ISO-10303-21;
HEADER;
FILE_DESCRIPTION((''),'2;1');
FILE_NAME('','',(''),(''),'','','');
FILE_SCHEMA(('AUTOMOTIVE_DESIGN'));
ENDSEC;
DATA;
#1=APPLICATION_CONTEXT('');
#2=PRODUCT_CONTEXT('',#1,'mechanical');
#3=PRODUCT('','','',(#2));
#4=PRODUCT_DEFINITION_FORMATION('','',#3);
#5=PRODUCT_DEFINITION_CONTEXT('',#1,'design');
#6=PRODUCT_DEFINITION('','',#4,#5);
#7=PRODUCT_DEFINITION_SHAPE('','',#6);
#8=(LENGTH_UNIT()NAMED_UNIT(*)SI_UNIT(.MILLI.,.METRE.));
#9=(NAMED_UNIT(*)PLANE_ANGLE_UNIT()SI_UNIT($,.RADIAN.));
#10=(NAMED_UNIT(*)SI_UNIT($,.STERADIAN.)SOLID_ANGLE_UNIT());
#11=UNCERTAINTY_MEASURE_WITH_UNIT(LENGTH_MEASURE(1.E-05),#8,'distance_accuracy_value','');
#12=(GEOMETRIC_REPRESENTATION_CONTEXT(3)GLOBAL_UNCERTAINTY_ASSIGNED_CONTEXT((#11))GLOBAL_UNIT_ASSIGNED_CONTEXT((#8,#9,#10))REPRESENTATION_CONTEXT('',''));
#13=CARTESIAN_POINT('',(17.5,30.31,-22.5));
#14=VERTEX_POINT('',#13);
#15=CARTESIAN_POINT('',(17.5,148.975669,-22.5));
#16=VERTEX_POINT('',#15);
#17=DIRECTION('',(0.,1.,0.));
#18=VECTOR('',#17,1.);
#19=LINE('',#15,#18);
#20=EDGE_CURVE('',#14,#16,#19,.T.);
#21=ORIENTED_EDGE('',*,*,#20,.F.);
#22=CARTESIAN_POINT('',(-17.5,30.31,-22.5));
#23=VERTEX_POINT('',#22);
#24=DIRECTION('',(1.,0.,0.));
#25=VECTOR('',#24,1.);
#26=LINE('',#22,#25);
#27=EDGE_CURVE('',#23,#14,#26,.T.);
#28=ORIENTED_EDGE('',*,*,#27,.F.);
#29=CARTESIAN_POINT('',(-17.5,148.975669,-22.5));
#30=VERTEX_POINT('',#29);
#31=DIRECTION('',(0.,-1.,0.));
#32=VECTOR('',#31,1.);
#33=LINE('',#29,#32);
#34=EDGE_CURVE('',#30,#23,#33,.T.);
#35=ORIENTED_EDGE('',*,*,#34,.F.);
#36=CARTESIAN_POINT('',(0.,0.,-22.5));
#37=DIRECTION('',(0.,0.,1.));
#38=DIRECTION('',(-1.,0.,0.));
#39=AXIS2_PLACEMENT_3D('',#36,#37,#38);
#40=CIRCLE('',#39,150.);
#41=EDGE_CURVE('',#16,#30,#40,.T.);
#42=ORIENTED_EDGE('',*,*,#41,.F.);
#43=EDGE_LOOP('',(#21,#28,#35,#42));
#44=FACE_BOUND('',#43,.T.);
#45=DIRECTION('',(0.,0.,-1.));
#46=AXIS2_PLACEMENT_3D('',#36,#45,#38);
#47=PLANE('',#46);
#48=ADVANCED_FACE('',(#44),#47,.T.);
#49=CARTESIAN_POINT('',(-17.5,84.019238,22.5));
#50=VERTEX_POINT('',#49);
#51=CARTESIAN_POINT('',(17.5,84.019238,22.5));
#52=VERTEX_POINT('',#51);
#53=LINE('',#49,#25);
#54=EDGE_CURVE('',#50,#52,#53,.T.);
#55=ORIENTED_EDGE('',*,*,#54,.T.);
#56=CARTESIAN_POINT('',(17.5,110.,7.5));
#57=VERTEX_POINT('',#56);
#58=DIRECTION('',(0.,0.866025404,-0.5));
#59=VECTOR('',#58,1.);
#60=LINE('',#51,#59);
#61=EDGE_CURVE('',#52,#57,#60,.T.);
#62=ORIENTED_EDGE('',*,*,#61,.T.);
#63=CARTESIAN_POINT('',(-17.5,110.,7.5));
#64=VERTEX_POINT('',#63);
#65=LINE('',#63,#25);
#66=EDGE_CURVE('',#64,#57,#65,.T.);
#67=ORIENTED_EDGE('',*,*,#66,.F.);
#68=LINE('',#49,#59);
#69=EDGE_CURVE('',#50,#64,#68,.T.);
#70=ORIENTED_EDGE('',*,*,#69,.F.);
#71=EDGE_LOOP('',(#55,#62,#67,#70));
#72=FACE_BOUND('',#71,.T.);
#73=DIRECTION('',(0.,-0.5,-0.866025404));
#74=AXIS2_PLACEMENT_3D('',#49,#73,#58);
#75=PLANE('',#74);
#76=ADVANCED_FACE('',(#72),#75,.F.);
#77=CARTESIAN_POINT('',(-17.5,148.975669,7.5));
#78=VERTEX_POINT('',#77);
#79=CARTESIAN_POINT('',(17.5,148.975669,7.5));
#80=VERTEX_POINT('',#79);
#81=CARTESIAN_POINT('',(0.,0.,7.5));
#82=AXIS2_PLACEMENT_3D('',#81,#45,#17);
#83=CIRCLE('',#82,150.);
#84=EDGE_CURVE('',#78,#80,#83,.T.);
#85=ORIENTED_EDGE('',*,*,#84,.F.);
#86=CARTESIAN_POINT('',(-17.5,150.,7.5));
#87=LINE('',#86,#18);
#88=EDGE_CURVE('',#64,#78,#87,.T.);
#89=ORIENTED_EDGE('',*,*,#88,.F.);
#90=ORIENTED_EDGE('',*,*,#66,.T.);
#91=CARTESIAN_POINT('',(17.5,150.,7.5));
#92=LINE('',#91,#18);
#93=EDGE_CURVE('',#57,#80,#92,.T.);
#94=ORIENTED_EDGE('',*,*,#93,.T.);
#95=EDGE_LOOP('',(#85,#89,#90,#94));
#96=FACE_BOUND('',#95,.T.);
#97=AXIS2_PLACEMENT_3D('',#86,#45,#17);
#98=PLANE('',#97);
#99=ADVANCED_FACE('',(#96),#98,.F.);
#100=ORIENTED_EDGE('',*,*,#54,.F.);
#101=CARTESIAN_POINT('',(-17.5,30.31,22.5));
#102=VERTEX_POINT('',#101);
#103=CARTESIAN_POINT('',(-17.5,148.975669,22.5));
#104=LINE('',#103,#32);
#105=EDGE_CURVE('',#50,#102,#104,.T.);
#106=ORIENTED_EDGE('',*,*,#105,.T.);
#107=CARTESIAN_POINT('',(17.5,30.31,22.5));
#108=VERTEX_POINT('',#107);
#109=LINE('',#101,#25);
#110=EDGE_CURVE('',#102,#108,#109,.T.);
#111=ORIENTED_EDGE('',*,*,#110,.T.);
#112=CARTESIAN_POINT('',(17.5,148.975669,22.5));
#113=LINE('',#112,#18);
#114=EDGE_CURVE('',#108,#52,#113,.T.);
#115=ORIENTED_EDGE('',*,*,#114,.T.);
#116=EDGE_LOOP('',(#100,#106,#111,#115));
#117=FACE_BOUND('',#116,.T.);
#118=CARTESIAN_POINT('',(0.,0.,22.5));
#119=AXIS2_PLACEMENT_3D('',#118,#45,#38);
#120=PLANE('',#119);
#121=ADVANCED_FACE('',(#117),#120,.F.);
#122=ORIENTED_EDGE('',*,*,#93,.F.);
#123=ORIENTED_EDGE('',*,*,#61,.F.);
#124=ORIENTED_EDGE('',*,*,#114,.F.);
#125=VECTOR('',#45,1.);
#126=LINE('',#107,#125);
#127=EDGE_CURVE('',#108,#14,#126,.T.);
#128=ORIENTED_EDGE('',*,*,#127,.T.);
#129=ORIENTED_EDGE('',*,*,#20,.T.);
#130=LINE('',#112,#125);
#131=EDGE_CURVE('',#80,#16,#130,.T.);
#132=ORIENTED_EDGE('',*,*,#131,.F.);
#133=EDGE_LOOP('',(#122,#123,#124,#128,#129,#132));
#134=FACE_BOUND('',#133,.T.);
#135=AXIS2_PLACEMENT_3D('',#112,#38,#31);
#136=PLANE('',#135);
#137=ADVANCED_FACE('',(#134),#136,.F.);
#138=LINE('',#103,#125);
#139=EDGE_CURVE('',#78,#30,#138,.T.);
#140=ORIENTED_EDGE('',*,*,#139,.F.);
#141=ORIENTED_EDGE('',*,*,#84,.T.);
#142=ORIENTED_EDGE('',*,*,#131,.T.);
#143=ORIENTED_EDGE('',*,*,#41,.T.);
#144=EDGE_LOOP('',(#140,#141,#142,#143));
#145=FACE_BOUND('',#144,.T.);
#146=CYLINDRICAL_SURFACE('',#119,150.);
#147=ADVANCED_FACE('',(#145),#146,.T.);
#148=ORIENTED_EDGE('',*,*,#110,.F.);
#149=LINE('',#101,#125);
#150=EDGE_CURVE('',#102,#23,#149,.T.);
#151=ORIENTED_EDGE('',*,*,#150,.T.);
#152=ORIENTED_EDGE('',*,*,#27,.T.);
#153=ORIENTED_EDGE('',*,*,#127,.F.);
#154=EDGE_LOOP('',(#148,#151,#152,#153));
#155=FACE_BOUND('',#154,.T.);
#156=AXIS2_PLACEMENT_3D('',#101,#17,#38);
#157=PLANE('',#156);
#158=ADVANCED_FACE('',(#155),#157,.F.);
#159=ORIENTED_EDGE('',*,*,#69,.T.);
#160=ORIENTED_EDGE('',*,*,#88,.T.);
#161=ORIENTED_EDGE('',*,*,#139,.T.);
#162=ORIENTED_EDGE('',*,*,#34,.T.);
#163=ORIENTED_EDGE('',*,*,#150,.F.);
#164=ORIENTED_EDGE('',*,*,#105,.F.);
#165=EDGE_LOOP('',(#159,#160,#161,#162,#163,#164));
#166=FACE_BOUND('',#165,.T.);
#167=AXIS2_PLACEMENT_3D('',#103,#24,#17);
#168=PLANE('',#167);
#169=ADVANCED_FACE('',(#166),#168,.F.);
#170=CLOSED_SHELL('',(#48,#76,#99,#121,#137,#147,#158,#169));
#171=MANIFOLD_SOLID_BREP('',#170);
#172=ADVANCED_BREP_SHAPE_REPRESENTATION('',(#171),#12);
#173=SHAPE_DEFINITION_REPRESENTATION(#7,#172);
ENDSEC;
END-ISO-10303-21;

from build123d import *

# Parameters (mm, degrees)
BOSS_EXTRUDE1_DEPTH = 22.5
CUT_EXTRUDE1_DEPTH  = 36


with BuildPart() as part:
    # Sketch1 → Boss-Extrude1 (new body, symmetric)
    with BuildSketch(Plane.XY):
        with BuildLine():
            Line((-17.5, 148.975669154), (-17.5, 30.31))
            Line((-17.5, 30.31), (17.5, 30.31))
            Line((17.5, 30.31), (17.5, 148.975669154))
            ThreePointArc((17.5, 148.975669154), (0, 150), (-17.5, 148.975669154))
        make_face()
    extrude(amount=BOSS_EXTRUDE1_DEPTH, both=True)

    # Sketch2 → Cut-Extrude1 (cut, through all)
    with BuildSketch(Plane(origin=(17.5, 0, 0), x_dir=(0, 0, -1), z_dir=(1, 0, 0))):
        Polygon((-22.5, 84.019237886), (-7.5, 110), (-7.5, 150), (-22.5, 150), align=None)
    extrude(amount=-CUT_EXTRUDE1_DEPTH, mode=Mode.SUBTRACT)


solid = part.part
